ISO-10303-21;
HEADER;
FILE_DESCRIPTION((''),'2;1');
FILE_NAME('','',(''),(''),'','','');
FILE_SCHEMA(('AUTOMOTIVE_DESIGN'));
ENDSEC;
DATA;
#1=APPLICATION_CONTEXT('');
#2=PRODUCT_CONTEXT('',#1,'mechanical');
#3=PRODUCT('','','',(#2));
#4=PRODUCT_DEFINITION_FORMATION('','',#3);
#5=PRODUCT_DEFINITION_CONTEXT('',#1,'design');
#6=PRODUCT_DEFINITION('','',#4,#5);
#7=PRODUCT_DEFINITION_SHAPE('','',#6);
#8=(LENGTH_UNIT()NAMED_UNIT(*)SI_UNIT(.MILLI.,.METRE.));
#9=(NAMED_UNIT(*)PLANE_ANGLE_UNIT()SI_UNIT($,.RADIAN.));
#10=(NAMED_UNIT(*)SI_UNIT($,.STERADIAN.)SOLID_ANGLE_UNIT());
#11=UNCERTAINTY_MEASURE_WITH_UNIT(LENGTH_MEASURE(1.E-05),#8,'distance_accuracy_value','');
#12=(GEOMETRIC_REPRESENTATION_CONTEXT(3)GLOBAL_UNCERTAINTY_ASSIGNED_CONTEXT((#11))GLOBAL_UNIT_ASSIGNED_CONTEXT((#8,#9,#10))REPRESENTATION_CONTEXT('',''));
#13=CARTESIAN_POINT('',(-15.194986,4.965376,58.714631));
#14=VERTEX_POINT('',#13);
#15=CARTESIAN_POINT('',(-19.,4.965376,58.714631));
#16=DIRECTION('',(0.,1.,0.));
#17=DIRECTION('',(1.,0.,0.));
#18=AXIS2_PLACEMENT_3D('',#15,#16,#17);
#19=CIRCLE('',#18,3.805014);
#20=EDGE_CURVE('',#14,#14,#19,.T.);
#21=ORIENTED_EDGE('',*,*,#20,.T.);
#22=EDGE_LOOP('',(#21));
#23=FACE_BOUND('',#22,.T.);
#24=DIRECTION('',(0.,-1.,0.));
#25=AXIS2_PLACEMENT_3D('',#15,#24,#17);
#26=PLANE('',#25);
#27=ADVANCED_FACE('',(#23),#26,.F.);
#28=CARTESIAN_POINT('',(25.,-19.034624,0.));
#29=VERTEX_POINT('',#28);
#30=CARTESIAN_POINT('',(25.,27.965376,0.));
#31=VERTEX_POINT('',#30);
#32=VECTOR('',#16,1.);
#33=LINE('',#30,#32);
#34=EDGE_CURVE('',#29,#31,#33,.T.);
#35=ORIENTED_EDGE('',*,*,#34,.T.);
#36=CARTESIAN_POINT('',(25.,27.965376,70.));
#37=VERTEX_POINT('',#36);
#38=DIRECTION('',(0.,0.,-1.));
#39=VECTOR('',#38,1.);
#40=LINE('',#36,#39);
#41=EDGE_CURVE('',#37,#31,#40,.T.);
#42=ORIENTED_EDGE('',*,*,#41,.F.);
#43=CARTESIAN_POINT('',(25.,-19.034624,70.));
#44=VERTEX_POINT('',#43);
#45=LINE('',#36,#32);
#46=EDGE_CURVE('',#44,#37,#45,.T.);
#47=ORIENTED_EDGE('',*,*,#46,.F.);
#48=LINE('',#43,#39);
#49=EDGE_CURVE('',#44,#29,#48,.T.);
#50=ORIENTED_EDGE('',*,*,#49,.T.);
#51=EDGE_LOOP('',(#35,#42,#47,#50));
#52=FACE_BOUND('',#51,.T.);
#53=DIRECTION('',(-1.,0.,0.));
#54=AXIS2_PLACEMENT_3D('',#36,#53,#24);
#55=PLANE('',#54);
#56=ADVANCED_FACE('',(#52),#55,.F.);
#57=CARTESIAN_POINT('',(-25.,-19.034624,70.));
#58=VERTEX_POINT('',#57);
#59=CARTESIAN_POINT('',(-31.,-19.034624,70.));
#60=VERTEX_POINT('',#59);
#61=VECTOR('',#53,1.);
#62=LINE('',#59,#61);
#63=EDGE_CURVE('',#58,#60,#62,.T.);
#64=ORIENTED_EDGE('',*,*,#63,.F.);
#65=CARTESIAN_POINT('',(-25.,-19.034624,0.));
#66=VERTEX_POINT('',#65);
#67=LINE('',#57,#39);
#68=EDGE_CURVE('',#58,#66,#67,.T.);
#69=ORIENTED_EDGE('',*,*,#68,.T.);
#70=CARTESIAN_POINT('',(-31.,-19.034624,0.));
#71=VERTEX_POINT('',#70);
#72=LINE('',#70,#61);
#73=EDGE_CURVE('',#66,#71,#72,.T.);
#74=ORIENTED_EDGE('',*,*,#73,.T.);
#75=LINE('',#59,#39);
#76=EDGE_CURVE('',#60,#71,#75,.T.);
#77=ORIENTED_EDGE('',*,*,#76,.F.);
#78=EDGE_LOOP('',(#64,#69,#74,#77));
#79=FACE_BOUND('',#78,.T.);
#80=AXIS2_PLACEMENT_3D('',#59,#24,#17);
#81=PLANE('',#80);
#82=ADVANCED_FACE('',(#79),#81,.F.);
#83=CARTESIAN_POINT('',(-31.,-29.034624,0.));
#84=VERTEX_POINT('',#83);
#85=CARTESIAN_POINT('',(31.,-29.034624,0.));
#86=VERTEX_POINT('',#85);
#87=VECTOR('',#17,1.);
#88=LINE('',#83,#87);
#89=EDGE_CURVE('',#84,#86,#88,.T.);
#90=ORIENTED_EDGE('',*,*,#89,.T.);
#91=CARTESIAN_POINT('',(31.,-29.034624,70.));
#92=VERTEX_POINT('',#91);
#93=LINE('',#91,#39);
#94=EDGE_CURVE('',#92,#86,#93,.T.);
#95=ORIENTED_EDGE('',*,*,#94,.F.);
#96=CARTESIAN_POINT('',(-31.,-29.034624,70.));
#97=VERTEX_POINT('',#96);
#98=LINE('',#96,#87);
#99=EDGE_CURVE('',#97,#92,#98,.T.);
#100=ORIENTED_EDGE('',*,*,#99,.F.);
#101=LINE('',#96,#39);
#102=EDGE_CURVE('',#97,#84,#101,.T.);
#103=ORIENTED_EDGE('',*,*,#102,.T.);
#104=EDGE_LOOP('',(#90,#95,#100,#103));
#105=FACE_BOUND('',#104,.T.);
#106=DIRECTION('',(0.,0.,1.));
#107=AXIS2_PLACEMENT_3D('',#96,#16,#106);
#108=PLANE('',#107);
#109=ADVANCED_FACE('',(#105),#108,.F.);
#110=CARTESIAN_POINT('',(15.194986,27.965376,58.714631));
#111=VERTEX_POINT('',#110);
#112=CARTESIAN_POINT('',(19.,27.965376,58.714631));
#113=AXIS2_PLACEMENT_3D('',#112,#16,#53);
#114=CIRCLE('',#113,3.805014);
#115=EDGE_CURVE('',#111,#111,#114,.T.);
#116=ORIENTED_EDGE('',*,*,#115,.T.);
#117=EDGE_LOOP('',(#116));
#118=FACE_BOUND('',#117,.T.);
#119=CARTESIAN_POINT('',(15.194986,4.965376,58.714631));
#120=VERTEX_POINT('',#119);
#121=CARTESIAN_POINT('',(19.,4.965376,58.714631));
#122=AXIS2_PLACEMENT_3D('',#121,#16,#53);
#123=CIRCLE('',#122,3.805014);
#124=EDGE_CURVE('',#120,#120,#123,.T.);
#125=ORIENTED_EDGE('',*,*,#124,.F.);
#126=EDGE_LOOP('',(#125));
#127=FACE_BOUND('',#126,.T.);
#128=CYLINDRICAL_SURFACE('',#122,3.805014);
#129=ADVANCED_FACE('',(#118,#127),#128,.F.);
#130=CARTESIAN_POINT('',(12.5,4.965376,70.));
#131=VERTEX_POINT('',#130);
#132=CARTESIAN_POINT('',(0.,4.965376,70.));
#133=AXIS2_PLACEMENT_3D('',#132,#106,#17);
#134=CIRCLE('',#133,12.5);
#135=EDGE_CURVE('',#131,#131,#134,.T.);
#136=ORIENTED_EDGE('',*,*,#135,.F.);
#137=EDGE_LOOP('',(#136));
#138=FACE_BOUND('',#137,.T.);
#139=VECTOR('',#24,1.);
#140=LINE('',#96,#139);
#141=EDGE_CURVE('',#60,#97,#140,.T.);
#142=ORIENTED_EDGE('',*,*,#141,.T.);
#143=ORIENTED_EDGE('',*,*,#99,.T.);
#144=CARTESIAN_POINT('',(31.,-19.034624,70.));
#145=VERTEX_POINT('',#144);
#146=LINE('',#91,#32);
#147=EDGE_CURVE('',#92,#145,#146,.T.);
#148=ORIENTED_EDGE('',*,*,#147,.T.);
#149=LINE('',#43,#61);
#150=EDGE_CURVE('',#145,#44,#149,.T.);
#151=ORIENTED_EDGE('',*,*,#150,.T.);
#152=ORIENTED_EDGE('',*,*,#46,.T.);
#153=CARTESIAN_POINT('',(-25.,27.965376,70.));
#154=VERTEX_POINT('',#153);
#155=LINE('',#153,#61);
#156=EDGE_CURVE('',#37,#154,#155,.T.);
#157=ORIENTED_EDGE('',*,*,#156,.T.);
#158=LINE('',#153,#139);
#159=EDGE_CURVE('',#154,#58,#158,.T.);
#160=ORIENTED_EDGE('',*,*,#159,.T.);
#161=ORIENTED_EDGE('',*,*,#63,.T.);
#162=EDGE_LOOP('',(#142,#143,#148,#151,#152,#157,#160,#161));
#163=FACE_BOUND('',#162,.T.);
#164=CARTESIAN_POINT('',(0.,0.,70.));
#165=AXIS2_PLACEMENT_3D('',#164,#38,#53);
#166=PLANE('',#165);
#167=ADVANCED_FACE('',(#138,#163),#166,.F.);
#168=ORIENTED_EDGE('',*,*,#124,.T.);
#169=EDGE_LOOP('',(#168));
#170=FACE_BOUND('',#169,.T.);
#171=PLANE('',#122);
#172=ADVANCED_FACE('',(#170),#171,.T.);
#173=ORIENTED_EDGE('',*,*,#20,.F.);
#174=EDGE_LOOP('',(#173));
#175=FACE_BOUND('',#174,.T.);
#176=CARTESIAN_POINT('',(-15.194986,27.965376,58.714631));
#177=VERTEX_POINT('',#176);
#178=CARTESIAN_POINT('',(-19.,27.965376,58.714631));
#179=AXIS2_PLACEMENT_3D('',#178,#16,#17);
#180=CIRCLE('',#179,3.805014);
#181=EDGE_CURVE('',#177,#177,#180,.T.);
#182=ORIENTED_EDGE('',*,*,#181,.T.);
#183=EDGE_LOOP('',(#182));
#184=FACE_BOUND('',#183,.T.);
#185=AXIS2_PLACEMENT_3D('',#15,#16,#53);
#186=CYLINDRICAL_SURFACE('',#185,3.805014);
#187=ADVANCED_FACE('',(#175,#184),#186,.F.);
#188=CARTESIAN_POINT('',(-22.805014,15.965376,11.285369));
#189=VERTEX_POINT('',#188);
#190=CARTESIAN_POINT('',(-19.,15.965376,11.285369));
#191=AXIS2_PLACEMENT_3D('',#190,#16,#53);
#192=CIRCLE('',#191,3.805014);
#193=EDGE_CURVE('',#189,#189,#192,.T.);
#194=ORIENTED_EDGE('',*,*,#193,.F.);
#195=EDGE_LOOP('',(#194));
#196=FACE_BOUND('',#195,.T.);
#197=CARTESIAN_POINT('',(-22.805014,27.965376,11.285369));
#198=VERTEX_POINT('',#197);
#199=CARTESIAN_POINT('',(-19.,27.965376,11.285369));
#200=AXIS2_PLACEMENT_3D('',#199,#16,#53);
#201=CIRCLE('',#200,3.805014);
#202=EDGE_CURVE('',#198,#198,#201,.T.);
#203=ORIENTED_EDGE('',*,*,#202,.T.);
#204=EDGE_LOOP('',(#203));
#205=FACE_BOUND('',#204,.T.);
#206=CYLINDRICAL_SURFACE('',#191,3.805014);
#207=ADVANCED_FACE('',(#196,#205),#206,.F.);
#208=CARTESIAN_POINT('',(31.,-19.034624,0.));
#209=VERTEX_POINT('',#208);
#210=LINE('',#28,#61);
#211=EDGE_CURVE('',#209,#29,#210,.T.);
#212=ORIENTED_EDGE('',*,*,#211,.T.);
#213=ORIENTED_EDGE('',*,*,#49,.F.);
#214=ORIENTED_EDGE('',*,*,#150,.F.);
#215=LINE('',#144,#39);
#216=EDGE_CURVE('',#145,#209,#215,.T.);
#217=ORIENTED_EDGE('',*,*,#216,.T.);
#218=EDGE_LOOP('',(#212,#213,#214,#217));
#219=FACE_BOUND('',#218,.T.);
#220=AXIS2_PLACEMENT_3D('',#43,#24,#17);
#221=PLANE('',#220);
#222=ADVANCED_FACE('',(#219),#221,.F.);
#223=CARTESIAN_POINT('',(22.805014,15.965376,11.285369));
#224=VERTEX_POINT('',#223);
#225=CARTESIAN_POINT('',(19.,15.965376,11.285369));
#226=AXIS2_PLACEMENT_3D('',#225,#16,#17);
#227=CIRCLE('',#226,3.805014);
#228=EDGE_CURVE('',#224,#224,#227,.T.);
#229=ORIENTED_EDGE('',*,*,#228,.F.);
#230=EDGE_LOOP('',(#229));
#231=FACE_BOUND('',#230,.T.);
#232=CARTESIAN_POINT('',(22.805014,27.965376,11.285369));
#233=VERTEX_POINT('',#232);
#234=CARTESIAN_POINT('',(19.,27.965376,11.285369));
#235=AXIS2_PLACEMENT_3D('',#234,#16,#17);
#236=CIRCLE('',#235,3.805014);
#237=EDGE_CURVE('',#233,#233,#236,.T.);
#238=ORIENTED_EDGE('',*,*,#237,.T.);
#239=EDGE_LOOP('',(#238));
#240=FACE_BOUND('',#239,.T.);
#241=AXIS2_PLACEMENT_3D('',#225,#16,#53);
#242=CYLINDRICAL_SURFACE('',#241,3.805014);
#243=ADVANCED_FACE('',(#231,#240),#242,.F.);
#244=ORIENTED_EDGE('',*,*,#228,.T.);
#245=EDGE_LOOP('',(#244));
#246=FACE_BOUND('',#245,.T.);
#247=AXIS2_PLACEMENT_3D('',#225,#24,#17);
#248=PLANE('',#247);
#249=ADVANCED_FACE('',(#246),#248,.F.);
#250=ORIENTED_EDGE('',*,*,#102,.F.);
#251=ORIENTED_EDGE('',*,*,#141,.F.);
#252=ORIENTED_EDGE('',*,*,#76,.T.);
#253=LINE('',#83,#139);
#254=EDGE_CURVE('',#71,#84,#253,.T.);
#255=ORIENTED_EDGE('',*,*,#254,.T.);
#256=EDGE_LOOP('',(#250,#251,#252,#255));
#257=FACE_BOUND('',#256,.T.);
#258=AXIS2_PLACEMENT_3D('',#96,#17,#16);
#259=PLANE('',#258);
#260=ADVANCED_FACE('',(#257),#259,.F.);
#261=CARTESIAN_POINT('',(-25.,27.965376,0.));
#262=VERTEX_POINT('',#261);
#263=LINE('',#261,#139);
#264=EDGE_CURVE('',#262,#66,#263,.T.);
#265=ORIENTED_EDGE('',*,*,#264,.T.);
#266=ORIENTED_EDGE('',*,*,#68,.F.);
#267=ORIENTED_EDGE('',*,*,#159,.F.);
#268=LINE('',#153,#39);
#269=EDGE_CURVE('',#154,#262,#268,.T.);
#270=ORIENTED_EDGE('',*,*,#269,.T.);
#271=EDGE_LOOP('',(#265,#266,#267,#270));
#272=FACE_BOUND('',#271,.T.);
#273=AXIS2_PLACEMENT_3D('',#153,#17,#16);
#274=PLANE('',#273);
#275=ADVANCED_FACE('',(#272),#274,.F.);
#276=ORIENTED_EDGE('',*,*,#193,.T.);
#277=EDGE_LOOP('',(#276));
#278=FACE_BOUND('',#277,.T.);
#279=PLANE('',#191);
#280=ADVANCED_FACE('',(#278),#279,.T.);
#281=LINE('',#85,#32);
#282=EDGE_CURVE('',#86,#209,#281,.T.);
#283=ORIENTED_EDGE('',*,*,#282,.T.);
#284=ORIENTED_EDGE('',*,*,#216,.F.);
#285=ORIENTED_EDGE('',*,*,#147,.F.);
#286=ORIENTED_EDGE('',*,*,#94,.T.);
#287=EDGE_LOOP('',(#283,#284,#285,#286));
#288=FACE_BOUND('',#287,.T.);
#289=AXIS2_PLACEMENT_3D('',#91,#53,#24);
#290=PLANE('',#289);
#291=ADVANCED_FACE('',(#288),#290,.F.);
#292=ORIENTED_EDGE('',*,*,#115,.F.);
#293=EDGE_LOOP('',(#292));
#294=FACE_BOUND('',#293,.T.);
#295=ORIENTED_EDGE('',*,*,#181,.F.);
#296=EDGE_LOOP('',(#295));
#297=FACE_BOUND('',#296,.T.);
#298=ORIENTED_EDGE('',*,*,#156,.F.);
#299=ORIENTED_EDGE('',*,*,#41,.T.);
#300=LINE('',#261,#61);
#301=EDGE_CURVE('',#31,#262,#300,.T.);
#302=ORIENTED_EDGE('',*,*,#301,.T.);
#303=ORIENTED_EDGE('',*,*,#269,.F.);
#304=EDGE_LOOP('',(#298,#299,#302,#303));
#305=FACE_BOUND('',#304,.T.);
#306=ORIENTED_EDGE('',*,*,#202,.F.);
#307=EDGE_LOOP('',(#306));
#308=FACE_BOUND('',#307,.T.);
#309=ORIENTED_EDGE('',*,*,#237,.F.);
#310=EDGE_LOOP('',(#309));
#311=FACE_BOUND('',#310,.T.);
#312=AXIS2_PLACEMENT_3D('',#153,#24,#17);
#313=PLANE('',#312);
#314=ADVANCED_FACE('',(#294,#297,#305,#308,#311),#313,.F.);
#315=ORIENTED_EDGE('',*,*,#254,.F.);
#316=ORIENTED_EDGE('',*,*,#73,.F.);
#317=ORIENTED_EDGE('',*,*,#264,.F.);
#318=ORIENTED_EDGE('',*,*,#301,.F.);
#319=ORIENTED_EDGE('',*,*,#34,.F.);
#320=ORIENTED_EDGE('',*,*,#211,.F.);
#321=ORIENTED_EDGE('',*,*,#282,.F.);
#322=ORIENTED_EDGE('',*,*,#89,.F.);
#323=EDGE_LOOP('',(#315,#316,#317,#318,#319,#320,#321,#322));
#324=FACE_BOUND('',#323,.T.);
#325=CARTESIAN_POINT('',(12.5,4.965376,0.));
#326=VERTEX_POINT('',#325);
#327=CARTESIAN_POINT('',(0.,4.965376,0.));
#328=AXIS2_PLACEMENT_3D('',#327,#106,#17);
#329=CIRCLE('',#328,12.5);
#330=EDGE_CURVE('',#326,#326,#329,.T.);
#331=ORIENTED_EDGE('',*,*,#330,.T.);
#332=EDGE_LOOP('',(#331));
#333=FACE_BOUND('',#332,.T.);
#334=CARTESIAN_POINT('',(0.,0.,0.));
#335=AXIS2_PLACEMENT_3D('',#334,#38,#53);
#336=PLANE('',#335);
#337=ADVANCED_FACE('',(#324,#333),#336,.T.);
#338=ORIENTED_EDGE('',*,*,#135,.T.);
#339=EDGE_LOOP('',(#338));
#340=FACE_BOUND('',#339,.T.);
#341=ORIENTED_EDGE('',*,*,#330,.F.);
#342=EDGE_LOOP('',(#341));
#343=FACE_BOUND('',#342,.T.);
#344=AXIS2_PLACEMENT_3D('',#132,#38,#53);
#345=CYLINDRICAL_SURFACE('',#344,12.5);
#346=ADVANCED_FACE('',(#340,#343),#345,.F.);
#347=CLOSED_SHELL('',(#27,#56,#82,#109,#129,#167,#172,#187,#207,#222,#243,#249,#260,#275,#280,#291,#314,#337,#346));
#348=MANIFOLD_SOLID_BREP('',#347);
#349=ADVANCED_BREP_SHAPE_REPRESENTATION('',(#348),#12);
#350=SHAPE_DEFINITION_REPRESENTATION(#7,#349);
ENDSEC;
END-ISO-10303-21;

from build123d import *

# Parameters (mm, degrees)
SKETCH1_R           = 12.5
BOSS_EXTRUDE1_DEPTH = 70
SKETCH2_R           = 3.805013563
CUT_EXTRUDE1_DEPTH  = 23
SKETCH3_R           = 3.805013563
CUT_EXTRUDE2_DEPTH  = 12


with BuildPart() as part:
    # Sketch1 → Boss-Extrude1 (new body)
    with BuildSketch(Plane.XY):
        Polygon((25, -19.03462444), (31, -19.03462444), (31, -29.03462444), (-31, -29.03462444), (-31, -19.03462444), (-25, -19.03462444), (-25, 27.96537556), (25, 27.96537556), align=None)
        with Locations((0, 4.96537556)):
            Circle(SKETCH1_R, mode=Mode.SUBTRACT)
    extrude(amount=BOSS_EXTRUDE1_DEPTH)

    # Sketch2 → Cut-Extrude1 (cut)
    with BuildSketch(Plane(origin=(0, 27.96537556, 0), x_dir=(1, 0, 0), z_dir=(0, 1, 0))):
        with Locations(Location((19, -58.714630835, 0), (0, 0, 180))):
            Circle(SKETCH2_R)
        with Locations((-19, -58.714630835)):
            Circle(SKETCH2_R)
    extrude(amount=-CUT_EXTRUDE1_DEPTH, mode=Mode.SUBTRACT)

    # Sketch3 → Cut-Extrude2 (cut)
    with BuildSketch(Plane(origin=(0, 27.96537556, 0), x_dir=(1, 0, 0), z_dir=(0, 1, 0))):
        with Locations((19, -11.285369165)):
            Circle(SKETCH3_R)
        with Locations(Location((-19, -11.285369165, 0), (0, 0, 180))):
            Circle(SKETCH3_R)
    extrude(amount=-CUT_EXTRUDE2_DEPTH, mode=Mode.SUBTRACT)


solid = part.part
